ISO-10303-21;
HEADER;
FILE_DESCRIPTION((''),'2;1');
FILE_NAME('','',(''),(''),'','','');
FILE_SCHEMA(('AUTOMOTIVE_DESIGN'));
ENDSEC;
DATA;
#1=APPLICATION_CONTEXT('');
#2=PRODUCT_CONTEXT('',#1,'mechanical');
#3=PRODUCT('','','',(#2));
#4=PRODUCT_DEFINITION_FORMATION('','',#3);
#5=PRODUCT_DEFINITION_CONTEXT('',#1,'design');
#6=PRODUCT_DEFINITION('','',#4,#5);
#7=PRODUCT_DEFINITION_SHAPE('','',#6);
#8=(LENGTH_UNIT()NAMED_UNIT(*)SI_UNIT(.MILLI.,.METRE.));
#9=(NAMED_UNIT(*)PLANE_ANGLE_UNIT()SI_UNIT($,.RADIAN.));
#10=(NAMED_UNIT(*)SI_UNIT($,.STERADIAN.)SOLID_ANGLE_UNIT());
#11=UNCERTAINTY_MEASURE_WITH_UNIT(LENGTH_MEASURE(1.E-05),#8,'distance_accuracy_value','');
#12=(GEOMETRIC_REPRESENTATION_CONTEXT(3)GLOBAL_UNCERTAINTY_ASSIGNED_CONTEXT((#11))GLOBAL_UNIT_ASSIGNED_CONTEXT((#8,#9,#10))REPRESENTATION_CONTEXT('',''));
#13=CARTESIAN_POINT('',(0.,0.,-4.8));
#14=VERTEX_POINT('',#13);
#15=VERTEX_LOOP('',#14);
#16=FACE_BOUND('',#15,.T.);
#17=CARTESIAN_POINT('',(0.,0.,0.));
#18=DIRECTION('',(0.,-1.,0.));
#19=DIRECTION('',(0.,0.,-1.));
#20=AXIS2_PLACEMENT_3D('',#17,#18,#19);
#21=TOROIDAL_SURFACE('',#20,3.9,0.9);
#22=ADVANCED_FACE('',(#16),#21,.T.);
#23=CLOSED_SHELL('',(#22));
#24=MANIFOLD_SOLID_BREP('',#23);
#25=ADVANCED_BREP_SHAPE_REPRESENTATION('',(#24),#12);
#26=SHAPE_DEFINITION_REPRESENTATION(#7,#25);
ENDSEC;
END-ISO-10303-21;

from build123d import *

# Parameters (mm, degrees)
SKETCH_1_R = 0.9


with BuildPart() as part:
    # 草图1 → Revolve 288 (revolve)
    with BuildSketch(Plane.XY, mode=Mode.PRIVATE) as revolve_288_sk:
        with Locations((3.9, 0)):
            Circle(SKETCH_1_R)
    revolve(revolve_288_sk.sketch.rotate(Axis((0, 0, 0), (0, 1, 0)), 90), axis=Axis((0, 0, 0), (0, 1, 0)))


solid = part.part
